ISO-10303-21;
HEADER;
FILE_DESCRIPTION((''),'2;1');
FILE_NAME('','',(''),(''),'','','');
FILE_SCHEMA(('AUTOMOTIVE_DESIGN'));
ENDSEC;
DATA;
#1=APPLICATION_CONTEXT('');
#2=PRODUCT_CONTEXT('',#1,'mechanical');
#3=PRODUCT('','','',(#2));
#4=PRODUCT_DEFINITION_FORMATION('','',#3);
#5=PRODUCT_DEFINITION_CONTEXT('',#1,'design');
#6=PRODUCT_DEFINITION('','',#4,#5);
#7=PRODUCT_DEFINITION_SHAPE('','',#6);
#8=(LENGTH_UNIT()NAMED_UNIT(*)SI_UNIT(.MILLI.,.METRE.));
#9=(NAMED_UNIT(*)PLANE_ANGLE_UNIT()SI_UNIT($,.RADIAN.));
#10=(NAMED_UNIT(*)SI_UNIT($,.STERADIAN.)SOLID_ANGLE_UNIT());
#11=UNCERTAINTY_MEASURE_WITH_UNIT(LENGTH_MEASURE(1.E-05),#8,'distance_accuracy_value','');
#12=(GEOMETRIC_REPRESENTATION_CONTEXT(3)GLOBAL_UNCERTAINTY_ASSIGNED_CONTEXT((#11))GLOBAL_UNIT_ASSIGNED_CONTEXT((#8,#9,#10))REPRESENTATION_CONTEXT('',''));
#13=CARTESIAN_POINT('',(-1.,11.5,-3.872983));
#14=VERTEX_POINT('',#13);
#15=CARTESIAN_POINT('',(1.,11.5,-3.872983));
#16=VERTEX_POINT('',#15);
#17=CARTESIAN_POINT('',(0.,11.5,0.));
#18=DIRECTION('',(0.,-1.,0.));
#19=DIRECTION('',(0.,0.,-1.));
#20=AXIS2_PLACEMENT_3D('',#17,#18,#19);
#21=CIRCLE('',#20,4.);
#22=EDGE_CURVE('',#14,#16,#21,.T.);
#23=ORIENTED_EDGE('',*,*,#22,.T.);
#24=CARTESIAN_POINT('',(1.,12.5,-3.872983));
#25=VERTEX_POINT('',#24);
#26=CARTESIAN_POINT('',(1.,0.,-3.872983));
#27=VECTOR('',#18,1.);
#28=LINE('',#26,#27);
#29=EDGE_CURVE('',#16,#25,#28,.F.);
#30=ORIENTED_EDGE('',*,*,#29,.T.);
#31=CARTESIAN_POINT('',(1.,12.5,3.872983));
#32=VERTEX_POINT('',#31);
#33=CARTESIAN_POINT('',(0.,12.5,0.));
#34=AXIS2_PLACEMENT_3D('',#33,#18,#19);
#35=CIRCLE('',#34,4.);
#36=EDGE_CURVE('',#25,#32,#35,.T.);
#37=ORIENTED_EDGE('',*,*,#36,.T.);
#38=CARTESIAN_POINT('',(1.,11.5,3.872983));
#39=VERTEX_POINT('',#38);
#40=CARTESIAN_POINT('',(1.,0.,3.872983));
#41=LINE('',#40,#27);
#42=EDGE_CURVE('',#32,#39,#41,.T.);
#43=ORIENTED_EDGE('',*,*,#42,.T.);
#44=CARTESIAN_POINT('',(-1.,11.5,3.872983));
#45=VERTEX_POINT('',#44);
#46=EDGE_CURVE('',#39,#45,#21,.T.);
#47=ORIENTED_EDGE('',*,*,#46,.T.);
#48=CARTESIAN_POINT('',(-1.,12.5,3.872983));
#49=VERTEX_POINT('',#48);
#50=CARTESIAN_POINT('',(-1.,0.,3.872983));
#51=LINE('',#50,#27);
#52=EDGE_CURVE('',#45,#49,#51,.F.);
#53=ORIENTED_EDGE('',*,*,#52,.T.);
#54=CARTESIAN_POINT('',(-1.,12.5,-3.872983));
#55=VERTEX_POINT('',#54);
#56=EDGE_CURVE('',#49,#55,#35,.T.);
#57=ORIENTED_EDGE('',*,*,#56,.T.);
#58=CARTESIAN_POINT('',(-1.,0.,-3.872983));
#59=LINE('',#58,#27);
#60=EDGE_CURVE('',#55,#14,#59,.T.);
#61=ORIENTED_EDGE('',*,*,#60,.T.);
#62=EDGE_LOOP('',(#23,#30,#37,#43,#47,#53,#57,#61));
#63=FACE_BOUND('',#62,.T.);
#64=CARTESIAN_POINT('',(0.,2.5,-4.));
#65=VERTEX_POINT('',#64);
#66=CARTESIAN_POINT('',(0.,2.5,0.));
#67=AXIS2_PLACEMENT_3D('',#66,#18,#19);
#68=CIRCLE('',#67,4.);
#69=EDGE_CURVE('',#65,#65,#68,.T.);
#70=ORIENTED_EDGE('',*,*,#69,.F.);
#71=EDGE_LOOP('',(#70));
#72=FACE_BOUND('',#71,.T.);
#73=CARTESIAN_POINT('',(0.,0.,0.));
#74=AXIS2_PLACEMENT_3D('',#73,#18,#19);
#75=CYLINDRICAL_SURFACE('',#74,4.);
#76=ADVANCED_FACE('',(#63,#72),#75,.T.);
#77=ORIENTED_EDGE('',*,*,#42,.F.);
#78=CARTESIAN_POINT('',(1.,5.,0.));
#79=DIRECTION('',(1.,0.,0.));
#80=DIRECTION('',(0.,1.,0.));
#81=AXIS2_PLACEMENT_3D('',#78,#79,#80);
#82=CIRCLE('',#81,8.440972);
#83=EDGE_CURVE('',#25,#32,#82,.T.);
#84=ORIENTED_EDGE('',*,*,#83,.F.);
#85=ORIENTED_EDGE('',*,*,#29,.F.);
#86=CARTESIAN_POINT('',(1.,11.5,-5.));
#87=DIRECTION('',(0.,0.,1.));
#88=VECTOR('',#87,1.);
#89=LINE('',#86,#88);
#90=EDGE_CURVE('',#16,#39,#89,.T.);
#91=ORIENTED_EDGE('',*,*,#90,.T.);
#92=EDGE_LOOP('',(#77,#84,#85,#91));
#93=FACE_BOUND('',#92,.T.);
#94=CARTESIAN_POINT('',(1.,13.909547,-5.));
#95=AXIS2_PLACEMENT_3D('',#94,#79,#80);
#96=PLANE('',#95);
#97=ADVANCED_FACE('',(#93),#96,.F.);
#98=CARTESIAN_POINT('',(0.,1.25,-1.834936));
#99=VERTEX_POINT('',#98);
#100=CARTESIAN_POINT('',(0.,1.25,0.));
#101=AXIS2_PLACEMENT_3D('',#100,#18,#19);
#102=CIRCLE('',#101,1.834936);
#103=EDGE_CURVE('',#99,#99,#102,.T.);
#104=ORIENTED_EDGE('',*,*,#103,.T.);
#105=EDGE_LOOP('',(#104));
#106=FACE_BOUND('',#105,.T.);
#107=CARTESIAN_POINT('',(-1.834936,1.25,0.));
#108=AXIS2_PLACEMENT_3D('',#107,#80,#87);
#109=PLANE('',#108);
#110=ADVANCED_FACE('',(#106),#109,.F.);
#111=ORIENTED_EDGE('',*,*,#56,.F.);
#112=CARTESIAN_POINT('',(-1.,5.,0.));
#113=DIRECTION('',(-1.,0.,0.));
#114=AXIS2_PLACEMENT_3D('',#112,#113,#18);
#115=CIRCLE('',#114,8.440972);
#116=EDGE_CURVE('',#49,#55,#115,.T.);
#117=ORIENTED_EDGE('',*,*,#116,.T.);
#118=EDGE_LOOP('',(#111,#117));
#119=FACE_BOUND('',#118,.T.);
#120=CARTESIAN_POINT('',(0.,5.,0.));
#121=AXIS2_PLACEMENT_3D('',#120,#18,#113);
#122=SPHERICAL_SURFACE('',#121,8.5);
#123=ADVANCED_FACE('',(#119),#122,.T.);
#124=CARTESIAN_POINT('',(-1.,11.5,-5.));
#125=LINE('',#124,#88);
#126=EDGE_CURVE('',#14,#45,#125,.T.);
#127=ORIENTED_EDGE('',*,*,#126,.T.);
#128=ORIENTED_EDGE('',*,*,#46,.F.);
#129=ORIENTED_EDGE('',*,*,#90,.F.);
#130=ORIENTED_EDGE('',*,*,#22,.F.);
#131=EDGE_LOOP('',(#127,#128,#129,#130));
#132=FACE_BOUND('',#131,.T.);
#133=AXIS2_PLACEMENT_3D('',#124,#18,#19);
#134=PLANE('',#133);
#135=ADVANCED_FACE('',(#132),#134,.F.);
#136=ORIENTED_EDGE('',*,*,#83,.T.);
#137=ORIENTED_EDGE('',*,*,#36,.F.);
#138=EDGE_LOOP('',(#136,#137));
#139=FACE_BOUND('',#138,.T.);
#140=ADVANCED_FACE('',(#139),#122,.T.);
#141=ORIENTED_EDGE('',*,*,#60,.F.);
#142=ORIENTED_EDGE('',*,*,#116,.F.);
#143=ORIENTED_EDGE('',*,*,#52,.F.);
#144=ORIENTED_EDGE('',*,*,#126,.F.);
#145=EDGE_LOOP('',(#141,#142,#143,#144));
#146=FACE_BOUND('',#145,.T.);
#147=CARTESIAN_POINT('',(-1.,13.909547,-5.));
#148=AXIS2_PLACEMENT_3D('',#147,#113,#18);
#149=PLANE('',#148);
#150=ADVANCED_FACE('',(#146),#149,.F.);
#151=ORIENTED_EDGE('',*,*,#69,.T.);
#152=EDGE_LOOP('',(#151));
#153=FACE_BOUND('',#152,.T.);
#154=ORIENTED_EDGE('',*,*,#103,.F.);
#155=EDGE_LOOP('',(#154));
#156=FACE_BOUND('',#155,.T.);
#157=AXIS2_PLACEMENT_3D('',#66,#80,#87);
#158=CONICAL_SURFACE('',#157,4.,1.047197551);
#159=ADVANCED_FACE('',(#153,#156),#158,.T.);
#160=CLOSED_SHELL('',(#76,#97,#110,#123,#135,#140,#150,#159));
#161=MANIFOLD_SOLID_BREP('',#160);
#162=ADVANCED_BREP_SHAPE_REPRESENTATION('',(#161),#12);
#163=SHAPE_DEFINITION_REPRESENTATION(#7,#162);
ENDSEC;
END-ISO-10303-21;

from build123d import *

# Parameters (mm, degrees)
SKETCH_2_W          = 2
SKETCH_2_H          = 2.409546764
CUT_EXTRUDE_1_DEPTH = 5


with BuildPart() as part:
    # 草圖1 → 旋轉1 (revolve)
    with BuildSketch(Plane.XY, mode=Mode.PRIVATE) as revolve_1_sk:
        with BuildLine():
            Line((-4, 12.5), (-4, 2.5))
            Line((-4, 2.5), (-1.834936491, 1.25))
            Line((-1.834936491, 1.25), (0, 1.25))
            Line((0, 1.25), (0, 13.5))
            ThreePointArc((0, 13.5), (-2.061552813, 13.246211251), (-4, 12.5))
        make_face()
    revolve(revolve_1_sk.sketch.rotate(Axis((0, 0, 0), (0, 1, 0)), 270), axis=Axis((0, 0, 0), (0, 1, 0)))

    # 草圖2 → 除料-伸長1 (cut, symmetric)
    with BuildSketch(Plane.XY):
        with Locations((0, 12.704773382)):
            Rectangle(SKETCH_2_W, SKETCH_2_H)
    extrude(amount=CUT_EXTRUDE_1_DEPTH, both=True, mode=Mode.SUBTRACT)


solid = part.part
